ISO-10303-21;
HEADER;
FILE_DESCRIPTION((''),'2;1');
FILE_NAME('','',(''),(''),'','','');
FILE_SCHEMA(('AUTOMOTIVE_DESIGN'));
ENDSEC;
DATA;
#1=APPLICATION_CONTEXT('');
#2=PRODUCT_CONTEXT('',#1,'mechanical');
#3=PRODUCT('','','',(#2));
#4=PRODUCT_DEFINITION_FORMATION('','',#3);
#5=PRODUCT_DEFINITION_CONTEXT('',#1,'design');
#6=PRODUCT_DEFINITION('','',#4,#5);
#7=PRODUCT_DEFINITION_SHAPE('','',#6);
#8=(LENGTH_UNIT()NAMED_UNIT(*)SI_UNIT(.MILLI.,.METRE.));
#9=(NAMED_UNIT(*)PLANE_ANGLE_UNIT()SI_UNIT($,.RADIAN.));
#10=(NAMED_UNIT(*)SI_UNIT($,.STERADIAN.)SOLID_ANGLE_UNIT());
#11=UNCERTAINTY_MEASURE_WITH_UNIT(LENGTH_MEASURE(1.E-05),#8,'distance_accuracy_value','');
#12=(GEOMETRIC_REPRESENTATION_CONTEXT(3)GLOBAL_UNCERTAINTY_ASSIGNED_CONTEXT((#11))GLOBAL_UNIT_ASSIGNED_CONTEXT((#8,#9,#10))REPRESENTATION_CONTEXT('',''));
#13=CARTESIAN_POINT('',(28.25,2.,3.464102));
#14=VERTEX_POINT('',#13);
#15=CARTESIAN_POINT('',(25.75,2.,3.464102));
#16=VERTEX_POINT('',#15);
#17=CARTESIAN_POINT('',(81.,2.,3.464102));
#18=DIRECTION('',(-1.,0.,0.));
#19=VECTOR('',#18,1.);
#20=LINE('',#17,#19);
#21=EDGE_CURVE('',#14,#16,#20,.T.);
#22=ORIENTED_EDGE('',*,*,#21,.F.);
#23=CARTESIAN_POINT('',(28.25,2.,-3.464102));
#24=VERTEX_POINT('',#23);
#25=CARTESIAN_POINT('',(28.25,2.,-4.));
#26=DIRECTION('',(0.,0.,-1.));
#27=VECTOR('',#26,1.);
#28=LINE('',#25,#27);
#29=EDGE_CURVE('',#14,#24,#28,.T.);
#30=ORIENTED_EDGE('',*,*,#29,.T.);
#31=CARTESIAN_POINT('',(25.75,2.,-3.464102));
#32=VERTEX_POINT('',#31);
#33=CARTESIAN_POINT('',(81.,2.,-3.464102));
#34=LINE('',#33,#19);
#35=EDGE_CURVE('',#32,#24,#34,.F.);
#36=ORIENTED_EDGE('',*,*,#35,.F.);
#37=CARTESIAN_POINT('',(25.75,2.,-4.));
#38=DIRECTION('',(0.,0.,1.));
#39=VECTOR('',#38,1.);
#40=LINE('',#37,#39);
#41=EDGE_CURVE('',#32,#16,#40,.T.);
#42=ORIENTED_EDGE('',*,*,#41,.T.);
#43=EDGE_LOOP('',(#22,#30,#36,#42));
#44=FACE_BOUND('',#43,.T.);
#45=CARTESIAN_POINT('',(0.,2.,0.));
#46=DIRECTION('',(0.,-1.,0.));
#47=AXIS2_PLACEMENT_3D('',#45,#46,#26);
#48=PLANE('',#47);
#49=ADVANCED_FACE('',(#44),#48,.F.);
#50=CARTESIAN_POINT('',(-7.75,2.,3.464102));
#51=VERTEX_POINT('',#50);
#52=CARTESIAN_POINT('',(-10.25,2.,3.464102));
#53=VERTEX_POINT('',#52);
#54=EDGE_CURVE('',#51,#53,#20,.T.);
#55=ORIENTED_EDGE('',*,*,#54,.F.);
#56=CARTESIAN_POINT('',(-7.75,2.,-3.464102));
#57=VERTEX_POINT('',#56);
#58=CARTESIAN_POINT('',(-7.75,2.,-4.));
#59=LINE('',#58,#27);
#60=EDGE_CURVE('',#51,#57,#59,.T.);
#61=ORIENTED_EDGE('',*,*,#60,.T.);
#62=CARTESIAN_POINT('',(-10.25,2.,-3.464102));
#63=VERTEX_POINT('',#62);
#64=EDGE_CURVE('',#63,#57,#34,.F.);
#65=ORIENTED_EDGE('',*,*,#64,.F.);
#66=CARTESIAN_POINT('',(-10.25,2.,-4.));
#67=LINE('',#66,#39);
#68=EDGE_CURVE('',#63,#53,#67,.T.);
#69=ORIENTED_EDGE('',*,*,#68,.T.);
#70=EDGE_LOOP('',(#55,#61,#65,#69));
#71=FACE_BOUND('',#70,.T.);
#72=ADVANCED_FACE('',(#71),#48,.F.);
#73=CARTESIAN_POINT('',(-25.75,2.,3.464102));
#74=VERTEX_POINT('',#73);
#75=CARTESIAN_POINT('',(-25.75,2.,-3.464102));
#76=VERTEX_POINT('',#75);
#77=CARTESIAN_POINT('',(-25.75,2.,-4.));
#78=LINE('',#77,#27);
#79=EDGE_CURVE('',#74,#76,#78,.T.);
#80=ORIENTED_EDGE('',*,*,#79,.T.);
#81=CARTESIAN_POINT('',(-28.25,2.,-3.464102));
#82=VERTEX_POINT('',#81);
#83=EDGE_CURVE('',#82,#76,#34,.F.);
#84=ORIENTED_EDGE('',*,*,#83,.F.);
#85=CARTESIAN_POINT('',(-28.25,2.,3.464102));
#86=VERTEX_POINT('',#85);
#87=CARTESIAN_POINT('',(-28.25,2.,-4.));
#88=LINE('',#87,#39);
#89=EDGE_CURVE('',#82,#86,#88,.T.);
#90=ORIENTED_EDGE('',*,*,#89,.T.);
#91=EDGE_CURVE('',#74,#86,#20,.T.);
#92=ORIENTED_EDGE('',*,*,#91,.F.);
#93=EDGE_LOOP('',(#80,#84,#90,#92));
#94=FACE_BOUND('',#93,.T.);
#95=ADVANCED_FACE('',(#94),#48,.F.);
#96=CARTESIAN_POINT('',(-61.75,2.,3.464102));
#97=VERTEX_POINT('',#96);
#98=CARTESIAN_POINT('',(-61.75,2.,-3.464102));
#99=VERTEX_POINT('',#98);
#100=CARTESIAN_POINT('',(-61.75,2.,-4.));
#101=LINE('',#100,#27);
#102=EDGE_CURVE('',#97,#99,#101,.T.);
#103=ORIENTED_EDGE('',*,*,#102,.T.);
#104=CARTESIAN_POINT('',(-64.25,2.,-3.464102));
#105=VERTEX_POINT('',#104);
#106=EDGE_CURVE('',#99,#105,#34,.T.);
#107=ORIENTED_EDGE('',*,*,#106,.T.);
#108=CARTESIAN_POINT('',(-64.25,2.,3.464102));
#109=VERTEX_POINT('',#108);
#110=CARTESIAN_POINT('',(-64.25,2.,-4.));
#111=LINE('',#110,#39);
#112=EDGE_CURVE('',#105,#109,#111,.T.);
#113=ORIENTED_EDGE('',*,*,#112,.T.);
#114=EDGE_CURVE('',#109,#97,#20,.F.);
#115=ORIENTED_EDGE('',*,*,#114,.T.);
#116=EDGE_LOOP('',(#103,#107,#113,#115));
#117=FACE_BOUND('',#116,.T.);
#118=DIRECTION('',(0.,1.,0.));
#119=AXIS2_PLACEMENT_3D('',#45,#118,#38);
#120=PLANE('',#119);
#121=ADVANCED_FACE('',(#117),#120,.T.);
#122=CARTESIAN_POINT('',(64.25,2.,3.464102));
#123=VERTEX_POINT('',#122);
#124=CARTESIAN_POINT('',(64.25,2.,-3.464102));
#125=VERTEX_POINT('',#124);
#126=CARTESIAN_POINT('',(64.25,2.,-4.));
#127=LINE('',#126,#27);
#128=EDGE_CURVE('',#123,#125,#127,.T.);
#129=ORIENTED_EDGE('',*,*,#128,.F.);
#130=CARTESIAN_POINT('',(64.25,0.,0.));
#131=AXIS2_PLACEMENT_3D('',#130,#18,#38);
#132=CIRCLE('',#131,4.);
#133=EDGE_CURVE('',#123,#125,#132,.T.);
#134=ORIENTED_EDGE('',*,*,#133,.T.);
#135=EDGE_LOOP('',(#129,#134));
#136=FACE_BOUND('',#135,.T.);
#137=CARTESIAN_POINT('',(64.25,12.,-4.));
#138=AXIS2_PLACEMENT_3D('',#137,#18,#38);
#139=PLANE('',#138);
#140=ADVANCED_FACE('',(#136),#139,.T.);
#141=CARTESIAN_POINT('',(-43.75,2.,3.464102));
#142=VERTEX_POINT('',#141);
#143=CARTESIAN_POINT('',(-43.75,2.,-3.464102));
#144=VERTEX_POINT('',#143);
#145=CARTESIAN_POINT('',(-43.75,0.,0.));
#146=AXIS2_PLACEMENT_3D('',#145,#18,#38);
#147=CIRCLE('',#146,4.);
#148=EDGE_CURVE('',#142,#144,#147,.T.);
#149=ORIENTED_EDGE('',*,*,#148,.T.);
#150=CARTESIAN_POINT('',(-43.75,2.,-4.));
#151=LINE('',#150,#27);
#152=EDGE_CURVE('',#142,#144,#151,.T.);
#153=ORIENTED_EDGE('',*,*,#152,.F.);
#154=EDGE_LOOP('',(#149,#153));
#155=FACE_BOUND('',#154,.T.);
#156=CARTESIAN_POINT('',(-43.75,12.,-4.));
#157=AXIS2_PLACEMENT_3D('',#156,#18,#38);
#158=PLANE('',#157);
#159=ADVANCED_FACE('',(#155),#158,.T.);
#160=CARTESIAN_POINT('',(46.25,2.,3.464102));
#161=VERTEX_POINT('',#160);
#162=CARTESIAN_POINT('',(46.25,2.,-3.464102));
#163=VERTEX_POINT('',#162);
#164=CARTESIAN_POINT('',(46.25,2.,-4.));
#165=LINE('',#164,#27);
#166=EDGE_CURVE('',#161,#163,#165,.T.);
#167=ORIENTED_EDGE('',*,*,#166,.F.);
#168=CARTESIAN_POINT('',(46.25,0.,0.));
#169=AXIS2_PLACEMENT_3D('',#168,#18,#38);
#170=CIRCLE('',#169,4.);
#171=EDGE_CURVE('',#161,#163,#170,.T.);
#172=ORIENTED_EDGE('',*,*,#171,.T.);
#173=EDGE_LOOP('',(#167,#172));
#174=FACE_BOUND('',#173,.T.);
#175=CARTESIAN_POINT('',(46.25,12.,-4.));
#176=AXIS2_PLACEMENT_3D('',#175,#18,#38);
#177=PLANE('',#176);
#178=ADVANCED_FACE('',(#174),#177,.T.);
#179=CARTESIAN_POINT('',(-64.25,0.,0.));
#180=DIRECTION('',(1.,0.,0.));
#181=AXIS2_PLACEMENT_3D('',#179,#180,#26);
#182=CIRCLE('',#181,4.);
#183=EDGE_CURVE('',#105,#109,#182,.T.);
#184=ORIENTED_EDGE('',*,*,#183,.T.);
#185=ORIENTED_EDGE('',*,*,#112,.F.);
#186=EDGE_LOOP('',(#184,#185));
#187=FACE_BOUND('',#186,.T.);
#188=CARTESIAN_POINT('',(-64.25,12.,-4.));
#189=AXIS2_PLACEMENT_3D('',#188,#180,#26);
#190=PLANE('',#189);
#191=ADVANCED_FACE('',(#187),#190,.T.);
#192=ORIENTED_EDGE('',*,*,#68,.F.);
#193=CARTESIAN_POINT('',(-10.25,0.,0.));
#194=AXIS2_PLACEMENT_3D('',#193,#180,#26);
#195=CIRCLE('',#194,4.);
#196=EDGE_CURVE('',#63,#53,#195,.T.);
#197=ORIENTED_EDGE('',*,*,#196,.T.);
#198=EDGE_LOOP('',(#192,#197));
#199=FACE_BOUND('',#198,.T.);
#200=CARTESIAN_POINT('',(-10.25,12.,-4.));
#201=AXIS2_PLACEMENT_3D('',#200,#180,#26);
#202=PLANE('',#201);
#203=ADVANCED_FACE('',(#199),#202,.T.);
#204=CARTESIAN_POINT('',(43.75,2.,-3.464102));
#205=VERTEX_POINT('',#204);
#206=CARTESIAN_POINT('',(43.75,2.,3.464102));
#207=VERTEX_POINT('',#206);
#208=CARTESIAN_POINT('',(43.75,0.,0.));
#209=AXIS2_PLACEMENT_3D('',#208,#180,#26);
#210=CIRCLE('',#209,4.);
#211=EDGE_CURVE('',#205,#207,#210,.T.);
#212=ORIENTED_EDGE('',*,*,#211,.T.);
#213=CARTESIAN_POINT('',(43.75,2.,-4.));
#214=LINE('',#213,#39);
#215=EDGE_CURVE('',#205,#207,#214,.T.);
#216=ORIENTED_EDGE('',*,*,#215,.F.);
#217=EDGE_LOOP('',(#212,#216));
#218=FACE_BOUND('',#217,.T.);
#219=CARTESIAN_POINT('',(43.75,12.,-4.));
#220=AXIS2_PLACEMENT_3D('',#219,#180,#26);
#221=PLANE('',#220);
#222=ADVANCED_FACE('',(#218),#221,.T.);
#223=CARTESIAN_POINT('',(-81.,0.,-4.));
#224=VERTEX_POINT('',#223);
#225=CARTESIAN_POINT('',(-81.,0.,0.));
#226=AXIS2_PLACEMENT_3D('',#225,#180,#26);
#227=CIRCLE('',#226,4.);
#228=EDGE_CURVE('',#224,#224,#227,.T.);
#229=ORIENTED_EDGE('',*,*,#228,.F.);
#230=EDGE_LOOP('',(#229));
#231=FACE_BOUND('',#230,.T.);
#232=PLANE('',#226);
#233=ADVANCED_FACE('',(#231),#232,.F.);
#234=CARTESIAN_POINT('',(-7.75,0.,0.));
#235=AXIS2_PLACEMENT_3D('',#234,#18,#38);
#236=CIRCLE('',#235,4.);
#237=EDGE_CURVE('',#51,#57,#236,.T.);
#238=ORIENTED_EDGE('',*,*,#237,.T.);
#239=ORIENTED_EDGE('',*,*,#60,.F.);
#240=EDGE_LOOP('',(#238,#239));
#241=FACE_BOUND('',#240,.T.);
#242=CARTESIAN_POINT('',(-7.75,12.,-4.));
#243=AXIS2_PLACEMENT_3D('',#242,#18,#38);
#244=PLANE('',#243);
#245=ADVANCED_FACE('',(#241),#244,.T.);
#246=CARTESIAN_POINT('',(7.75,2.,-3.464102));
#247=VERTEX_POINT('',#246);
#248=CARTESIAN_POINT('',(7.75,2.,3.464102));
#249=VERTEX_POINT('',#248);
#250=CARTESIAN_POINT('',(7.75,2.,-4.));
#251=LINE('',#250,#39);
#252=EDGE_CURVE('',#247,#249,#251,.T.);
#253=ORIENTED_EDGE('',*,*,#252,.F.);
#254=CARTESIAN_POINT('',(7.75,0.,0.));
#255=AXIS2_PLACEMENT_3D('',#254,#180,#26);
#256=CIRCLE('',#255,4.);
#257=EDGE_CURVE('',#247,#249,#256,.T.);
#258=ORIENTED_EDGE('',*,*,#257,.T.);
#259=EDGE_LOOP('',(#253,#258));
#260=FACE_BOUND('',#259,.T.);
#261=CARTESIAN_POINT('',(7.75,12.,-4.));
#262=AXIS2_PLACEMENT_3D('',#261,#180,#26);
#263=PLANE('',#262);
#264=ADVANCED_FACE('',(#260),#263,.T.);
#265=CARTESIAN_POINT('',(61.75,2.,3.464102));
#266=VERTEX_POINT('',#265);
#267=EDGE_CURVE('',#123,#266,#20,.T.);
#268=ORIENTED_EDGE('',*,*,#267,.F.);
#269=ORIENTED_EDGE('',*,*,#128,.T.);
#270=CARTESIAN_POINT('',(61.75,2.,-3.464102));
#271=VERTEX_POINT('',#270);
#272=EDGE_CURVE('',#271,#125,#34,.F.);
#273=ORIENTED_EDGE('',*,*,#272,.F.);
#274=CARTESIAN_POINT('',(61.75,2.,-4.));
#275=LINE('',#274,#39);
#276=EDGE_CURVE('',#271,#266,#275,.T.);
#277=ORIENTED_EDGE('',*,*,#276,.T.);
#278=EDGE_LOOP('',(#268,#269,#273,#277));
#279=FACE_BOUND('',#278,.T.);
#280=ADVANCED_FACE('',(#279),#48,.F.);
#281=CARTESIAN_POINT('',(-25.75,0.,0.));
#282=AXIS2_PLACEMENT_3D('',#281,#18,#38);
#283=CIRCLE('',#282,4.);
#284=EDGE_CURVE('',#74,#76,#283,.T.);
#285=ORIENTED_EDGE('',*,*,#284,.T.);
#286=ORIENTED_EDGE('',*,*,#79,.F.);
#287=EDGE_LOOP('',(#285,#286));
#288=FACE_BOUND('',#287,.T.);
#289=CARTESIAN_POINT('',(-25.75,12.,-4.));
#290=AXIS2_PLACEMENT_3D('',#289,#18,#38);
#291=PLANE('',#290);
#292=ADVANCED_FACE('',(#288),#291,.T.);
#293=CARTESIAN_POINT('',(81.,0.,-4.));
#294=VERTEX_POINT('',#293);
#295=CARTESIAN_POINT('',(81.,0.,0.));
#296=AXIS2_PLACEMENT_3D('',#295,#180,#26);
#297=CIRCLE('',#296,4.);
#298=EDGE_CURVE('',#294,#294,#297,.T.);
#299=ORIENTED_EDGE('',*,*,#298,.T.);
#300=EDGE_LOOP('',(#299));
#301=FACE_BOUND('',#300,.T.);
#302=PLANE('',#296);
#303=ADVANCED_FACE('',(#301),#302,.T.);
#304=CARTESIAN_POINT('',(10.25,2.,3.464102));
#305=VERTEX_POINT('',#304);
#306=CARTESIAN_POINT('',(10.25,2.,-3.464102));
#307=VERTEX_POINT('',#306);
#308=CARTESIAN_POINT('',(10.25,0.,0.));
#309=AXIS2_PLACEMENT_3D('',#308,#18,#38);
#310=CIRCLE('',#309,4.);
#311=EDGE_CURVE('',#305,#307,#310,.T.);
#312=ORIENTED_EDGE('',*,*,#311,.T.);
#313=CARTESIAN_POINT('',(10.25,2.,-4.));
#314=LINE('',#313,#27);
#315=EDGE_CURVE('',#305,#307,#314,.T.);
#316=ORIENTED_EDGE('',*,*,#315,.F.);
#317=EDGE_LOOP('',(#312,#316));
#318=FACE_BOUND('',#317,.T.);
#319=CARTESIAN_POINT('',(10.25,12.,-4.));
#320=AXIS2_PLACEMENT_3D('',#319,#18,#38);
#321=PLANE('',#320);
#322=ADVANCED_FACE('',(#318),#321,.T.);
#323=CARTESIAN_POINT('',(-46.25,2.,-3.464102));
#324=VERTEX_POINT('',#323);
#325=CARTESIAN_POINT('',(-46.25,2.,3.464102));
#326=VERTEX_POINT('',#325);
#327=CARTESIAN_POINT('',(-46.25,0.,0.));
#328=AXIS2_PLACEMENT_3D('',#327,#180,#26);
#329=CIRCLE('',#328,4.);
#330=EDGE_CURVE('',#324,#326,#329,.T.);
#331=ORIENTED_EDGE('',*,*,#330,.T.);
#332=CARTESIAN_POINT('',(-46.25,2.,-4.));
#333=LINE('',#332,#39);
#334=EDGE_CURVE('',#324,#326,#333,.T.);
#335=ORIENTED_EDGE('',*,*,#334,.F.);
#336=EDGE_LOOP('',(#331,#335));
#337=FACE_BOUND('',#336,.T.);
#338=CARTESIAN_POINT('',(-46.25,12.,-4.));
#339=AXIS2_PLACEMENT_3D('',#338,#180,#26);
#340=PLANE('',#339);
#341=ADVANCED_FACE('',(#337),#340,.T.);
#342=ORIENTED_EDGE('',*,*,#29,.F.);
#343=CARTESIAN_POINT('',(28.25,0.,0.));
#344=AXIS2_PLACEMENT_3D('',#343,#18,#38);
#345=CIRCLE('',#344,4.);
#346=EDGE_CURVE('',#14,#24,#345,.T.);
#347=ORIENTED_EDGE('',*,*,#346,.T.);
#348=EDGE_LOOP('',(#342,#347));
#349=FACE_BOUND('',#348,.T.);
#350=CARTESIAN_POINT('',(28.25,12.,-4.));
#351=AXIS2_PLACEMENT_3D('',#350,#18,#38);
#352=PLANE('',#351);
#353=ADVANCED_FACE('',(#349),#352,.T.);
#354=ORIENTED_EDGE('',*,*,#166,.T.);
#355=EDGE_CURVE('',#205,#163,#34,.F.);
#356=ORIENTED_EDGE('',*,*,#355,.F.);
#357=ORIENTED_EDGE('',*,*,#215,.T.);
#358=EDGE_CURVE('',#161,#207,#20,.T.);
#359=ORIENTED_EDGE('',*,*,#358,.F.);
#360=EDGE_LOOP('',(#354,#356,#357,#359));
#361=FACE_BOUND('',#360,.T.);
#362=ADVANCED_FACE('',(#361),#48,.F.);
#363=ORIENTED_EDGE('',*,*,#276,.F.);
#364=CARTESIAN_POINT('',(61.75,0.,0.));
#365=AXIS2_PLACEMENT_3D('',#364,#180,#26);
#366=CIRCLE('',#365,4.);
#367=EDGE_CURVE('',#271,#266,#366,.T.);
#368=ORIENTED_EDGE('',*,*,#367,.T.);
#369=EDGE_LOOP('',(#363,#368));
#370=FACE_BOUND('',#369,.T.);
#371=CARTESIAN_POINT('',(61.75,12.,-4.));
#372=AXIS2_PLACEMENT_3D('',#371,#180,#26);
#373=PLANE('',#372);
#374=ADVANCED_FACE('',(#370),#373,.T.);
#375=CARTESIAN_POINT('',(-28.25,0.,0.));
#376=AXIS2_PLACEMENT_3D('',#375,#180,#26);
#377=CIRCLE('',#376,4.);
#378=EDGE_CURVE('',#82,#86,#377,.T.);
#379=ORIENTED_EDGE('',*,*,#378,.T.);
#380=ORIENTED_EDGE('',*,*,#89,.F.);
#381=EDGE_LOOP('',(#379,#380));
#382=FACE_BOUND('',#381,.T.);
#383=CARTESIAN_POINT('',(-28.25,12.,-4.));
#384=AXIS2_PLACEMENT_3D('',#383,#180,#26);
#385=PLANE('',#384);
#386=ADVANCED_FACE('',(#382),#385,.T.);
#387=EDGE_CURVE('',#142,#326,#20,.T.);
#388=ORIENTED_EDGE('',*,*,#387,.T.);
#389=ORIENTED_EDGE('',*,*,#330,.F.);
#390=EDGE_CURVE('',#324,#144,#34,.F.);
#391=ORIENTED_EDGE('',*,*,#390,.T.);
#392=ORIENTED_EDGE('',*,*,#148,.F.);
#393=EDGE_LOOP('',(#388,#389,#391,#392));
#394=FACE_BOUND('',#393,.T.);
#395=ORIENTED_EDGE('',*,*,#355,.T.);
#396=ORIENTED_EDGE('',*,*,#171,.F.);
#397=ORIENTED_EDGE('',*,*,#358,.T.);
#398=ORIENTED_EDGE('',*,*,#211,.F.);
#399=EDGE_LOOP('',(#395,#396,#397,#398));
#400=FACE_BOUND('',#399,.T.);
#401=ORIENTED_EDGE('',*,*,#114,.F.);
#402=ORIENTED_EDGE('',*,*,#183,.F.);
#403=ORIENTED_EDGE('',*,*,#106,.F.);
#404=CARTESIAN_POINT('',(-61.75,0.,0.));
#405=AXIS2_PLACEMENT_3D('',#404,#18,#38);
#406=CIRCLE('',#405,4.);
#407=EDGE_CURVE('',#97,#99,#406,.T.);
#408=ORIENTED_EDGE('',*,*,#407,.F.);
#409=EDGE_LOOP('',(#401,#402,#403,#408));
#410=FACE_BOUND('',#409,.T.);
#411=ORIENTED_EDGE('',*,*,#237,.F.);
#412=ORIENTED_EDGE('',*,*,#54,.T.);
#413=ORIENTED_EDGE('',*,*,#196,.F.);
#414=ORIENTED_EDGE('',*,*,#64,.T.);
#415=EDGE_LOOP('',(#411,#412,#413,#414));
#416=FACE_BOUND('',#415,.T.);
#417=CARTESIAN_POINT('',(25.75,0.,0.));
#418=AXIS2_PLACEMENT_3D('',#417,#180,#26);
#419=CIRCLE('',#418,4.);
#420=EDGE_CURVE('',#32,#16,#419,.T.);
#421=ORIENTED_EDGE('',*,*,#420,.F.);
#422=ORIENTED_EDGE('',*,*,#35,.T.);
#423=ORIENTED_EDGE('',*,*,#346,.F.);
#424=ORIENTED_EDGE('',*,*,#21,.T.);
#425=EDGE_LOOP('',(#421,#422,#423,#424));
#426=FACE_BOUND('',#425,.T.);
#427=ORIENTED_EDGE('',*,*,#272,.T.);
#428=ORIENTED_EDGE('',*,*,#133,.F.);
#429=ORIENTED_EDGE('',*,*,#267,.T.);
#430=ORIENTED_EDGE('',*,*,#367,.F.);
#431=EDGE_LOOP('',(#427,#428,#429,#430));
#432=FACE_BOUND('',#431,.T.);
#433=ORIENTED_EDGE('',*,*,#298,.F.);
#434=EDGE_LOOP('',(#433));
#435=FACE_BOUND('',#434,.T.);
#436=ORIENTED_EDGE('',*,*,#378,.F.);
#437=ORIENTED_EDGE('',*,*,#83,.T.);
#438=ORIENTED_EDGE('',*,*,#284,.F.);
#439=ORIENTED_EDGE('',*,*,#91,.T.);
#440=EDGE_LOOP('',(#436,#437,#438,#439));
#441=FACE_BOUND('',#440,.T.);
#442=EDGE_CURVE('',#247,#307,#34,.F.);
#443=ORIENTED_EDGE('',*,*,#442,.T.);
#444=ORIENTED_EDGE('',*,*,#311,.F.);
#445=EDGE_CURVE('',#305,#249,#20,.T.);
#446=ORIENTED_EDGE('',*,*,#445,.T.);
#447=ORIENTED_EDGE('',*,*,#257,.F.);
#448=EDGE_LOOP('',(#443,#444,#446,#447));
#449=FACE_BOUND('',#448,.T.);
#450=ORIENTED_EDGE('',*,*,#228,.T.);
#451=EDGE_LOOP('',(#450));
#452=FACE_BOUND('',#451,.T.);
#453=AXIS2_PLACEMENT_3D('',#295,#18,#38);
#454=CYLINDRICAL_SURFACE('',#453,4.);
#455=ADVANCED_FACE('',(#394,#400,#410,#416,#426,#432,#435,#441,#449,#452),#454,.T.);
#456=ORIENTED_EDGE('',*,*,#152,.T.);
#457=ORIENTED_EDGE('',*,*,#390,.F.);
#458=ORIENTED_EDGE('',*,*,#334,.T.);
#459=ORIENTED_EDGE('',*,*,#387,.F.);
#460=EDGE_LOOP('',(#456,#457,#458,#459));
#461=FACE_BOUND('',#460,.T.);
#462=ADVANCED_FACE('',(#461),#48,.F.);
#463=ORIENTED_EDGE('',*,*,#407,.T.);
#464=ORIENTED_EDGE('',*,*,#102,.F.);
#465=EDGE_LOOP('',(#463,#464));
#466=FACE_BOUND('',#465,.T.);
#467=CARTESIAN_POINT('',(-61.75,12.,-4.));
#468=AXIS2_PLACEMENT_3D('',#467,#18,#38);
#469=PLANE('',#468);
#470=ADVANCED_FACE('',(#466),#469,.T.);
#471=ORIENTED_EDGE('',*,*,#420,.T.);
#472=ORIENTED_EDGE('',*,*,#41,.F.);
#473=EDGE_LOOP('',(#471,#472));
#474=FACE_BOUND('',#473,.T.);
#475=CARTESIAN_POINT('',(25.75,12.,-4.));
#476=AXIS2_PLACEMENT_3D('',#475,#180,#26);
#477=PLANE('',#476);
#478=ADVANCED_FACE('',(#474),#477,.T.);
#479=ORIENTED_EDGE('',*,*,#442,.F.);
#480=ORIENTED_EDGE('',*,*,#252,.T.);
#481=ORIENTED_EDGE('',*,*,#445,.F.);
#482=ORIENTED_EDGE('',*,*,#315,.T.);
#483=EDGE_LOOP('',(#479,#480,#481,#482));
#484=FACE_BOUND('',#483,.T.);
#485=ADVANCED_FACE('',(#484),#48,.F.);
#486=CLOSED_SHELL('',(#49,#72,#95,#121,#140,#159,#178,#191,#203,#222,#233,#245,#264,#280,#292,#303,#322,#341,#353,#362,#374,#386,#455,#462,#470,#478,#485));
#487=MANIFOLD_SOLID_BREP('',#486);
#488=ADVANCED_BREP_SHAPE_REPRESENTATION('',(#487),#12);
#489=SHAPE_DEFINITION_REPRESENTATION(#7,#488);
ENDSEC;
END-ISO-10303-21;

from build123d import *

# Parameters (mm, degrees)
SKETCH2_R           = 4
BOSS_EXTRUDE1_DEPTH = 81
CUT_EXTRUDE1_START  = 2
SKETCH3_W           = 2.5
SKETCH3_H           = 8
CUT_EXTRUDE1_DEPTH  = 10


with BuildPart() as part:
    # Sketch2 → Boss-Extrude1 (new, symmetric)
    with BuildSketch(Plane(origin=(0, 0, 0), x_dir=(0, 0, -1), z_dir=(1, 0, 0))):
        Circle(SKETCH2_R)
    extrude(amount=BOSS_EXTRUDE1_DEPTH, both=True)

    # Sketch3 → Cut-Extrude1 (cut)
    with BuildSketch(Plane(origin=(0, 0, 0), x_dir=(1, 0, 0), z_dir=(0, 1, 0)).offset(CUT_EXTRUDE1_START)):
        with Locations((-63, 0)):
            Rectangle(SKETCH3_W, SKETCH3_H)
        with Locations((-45, 0)):
            Rectangle(SKETCH3_W, SKETCH3_H)
        with Locations((-27, 0)):
            Rectangle(SKETCH3_W, SKETCH3_H)
        with Locations((-9, 0)):
            Rectangle(SKETCH3_W, SKETCH3_H)
        with Locations((9, 0)):
            Rectangle(SKETCH3_W, SKETCH3_H)
        with Locations((27, 0)):
            Rectangle(SKETCH3_W, SKETCH3_H)
        with Locations((45, 0)):
            Rectangle(SKETCH3_W, SKETCH3_H)
        with Locations((63, 0)):
            Rectangle(SKETCH3_W, SKETCH3_H)
    extrude(amount=CUT_EXTRUDE1_DEPTH, mode=Mode.SUBTRACT)


solid = part.part
